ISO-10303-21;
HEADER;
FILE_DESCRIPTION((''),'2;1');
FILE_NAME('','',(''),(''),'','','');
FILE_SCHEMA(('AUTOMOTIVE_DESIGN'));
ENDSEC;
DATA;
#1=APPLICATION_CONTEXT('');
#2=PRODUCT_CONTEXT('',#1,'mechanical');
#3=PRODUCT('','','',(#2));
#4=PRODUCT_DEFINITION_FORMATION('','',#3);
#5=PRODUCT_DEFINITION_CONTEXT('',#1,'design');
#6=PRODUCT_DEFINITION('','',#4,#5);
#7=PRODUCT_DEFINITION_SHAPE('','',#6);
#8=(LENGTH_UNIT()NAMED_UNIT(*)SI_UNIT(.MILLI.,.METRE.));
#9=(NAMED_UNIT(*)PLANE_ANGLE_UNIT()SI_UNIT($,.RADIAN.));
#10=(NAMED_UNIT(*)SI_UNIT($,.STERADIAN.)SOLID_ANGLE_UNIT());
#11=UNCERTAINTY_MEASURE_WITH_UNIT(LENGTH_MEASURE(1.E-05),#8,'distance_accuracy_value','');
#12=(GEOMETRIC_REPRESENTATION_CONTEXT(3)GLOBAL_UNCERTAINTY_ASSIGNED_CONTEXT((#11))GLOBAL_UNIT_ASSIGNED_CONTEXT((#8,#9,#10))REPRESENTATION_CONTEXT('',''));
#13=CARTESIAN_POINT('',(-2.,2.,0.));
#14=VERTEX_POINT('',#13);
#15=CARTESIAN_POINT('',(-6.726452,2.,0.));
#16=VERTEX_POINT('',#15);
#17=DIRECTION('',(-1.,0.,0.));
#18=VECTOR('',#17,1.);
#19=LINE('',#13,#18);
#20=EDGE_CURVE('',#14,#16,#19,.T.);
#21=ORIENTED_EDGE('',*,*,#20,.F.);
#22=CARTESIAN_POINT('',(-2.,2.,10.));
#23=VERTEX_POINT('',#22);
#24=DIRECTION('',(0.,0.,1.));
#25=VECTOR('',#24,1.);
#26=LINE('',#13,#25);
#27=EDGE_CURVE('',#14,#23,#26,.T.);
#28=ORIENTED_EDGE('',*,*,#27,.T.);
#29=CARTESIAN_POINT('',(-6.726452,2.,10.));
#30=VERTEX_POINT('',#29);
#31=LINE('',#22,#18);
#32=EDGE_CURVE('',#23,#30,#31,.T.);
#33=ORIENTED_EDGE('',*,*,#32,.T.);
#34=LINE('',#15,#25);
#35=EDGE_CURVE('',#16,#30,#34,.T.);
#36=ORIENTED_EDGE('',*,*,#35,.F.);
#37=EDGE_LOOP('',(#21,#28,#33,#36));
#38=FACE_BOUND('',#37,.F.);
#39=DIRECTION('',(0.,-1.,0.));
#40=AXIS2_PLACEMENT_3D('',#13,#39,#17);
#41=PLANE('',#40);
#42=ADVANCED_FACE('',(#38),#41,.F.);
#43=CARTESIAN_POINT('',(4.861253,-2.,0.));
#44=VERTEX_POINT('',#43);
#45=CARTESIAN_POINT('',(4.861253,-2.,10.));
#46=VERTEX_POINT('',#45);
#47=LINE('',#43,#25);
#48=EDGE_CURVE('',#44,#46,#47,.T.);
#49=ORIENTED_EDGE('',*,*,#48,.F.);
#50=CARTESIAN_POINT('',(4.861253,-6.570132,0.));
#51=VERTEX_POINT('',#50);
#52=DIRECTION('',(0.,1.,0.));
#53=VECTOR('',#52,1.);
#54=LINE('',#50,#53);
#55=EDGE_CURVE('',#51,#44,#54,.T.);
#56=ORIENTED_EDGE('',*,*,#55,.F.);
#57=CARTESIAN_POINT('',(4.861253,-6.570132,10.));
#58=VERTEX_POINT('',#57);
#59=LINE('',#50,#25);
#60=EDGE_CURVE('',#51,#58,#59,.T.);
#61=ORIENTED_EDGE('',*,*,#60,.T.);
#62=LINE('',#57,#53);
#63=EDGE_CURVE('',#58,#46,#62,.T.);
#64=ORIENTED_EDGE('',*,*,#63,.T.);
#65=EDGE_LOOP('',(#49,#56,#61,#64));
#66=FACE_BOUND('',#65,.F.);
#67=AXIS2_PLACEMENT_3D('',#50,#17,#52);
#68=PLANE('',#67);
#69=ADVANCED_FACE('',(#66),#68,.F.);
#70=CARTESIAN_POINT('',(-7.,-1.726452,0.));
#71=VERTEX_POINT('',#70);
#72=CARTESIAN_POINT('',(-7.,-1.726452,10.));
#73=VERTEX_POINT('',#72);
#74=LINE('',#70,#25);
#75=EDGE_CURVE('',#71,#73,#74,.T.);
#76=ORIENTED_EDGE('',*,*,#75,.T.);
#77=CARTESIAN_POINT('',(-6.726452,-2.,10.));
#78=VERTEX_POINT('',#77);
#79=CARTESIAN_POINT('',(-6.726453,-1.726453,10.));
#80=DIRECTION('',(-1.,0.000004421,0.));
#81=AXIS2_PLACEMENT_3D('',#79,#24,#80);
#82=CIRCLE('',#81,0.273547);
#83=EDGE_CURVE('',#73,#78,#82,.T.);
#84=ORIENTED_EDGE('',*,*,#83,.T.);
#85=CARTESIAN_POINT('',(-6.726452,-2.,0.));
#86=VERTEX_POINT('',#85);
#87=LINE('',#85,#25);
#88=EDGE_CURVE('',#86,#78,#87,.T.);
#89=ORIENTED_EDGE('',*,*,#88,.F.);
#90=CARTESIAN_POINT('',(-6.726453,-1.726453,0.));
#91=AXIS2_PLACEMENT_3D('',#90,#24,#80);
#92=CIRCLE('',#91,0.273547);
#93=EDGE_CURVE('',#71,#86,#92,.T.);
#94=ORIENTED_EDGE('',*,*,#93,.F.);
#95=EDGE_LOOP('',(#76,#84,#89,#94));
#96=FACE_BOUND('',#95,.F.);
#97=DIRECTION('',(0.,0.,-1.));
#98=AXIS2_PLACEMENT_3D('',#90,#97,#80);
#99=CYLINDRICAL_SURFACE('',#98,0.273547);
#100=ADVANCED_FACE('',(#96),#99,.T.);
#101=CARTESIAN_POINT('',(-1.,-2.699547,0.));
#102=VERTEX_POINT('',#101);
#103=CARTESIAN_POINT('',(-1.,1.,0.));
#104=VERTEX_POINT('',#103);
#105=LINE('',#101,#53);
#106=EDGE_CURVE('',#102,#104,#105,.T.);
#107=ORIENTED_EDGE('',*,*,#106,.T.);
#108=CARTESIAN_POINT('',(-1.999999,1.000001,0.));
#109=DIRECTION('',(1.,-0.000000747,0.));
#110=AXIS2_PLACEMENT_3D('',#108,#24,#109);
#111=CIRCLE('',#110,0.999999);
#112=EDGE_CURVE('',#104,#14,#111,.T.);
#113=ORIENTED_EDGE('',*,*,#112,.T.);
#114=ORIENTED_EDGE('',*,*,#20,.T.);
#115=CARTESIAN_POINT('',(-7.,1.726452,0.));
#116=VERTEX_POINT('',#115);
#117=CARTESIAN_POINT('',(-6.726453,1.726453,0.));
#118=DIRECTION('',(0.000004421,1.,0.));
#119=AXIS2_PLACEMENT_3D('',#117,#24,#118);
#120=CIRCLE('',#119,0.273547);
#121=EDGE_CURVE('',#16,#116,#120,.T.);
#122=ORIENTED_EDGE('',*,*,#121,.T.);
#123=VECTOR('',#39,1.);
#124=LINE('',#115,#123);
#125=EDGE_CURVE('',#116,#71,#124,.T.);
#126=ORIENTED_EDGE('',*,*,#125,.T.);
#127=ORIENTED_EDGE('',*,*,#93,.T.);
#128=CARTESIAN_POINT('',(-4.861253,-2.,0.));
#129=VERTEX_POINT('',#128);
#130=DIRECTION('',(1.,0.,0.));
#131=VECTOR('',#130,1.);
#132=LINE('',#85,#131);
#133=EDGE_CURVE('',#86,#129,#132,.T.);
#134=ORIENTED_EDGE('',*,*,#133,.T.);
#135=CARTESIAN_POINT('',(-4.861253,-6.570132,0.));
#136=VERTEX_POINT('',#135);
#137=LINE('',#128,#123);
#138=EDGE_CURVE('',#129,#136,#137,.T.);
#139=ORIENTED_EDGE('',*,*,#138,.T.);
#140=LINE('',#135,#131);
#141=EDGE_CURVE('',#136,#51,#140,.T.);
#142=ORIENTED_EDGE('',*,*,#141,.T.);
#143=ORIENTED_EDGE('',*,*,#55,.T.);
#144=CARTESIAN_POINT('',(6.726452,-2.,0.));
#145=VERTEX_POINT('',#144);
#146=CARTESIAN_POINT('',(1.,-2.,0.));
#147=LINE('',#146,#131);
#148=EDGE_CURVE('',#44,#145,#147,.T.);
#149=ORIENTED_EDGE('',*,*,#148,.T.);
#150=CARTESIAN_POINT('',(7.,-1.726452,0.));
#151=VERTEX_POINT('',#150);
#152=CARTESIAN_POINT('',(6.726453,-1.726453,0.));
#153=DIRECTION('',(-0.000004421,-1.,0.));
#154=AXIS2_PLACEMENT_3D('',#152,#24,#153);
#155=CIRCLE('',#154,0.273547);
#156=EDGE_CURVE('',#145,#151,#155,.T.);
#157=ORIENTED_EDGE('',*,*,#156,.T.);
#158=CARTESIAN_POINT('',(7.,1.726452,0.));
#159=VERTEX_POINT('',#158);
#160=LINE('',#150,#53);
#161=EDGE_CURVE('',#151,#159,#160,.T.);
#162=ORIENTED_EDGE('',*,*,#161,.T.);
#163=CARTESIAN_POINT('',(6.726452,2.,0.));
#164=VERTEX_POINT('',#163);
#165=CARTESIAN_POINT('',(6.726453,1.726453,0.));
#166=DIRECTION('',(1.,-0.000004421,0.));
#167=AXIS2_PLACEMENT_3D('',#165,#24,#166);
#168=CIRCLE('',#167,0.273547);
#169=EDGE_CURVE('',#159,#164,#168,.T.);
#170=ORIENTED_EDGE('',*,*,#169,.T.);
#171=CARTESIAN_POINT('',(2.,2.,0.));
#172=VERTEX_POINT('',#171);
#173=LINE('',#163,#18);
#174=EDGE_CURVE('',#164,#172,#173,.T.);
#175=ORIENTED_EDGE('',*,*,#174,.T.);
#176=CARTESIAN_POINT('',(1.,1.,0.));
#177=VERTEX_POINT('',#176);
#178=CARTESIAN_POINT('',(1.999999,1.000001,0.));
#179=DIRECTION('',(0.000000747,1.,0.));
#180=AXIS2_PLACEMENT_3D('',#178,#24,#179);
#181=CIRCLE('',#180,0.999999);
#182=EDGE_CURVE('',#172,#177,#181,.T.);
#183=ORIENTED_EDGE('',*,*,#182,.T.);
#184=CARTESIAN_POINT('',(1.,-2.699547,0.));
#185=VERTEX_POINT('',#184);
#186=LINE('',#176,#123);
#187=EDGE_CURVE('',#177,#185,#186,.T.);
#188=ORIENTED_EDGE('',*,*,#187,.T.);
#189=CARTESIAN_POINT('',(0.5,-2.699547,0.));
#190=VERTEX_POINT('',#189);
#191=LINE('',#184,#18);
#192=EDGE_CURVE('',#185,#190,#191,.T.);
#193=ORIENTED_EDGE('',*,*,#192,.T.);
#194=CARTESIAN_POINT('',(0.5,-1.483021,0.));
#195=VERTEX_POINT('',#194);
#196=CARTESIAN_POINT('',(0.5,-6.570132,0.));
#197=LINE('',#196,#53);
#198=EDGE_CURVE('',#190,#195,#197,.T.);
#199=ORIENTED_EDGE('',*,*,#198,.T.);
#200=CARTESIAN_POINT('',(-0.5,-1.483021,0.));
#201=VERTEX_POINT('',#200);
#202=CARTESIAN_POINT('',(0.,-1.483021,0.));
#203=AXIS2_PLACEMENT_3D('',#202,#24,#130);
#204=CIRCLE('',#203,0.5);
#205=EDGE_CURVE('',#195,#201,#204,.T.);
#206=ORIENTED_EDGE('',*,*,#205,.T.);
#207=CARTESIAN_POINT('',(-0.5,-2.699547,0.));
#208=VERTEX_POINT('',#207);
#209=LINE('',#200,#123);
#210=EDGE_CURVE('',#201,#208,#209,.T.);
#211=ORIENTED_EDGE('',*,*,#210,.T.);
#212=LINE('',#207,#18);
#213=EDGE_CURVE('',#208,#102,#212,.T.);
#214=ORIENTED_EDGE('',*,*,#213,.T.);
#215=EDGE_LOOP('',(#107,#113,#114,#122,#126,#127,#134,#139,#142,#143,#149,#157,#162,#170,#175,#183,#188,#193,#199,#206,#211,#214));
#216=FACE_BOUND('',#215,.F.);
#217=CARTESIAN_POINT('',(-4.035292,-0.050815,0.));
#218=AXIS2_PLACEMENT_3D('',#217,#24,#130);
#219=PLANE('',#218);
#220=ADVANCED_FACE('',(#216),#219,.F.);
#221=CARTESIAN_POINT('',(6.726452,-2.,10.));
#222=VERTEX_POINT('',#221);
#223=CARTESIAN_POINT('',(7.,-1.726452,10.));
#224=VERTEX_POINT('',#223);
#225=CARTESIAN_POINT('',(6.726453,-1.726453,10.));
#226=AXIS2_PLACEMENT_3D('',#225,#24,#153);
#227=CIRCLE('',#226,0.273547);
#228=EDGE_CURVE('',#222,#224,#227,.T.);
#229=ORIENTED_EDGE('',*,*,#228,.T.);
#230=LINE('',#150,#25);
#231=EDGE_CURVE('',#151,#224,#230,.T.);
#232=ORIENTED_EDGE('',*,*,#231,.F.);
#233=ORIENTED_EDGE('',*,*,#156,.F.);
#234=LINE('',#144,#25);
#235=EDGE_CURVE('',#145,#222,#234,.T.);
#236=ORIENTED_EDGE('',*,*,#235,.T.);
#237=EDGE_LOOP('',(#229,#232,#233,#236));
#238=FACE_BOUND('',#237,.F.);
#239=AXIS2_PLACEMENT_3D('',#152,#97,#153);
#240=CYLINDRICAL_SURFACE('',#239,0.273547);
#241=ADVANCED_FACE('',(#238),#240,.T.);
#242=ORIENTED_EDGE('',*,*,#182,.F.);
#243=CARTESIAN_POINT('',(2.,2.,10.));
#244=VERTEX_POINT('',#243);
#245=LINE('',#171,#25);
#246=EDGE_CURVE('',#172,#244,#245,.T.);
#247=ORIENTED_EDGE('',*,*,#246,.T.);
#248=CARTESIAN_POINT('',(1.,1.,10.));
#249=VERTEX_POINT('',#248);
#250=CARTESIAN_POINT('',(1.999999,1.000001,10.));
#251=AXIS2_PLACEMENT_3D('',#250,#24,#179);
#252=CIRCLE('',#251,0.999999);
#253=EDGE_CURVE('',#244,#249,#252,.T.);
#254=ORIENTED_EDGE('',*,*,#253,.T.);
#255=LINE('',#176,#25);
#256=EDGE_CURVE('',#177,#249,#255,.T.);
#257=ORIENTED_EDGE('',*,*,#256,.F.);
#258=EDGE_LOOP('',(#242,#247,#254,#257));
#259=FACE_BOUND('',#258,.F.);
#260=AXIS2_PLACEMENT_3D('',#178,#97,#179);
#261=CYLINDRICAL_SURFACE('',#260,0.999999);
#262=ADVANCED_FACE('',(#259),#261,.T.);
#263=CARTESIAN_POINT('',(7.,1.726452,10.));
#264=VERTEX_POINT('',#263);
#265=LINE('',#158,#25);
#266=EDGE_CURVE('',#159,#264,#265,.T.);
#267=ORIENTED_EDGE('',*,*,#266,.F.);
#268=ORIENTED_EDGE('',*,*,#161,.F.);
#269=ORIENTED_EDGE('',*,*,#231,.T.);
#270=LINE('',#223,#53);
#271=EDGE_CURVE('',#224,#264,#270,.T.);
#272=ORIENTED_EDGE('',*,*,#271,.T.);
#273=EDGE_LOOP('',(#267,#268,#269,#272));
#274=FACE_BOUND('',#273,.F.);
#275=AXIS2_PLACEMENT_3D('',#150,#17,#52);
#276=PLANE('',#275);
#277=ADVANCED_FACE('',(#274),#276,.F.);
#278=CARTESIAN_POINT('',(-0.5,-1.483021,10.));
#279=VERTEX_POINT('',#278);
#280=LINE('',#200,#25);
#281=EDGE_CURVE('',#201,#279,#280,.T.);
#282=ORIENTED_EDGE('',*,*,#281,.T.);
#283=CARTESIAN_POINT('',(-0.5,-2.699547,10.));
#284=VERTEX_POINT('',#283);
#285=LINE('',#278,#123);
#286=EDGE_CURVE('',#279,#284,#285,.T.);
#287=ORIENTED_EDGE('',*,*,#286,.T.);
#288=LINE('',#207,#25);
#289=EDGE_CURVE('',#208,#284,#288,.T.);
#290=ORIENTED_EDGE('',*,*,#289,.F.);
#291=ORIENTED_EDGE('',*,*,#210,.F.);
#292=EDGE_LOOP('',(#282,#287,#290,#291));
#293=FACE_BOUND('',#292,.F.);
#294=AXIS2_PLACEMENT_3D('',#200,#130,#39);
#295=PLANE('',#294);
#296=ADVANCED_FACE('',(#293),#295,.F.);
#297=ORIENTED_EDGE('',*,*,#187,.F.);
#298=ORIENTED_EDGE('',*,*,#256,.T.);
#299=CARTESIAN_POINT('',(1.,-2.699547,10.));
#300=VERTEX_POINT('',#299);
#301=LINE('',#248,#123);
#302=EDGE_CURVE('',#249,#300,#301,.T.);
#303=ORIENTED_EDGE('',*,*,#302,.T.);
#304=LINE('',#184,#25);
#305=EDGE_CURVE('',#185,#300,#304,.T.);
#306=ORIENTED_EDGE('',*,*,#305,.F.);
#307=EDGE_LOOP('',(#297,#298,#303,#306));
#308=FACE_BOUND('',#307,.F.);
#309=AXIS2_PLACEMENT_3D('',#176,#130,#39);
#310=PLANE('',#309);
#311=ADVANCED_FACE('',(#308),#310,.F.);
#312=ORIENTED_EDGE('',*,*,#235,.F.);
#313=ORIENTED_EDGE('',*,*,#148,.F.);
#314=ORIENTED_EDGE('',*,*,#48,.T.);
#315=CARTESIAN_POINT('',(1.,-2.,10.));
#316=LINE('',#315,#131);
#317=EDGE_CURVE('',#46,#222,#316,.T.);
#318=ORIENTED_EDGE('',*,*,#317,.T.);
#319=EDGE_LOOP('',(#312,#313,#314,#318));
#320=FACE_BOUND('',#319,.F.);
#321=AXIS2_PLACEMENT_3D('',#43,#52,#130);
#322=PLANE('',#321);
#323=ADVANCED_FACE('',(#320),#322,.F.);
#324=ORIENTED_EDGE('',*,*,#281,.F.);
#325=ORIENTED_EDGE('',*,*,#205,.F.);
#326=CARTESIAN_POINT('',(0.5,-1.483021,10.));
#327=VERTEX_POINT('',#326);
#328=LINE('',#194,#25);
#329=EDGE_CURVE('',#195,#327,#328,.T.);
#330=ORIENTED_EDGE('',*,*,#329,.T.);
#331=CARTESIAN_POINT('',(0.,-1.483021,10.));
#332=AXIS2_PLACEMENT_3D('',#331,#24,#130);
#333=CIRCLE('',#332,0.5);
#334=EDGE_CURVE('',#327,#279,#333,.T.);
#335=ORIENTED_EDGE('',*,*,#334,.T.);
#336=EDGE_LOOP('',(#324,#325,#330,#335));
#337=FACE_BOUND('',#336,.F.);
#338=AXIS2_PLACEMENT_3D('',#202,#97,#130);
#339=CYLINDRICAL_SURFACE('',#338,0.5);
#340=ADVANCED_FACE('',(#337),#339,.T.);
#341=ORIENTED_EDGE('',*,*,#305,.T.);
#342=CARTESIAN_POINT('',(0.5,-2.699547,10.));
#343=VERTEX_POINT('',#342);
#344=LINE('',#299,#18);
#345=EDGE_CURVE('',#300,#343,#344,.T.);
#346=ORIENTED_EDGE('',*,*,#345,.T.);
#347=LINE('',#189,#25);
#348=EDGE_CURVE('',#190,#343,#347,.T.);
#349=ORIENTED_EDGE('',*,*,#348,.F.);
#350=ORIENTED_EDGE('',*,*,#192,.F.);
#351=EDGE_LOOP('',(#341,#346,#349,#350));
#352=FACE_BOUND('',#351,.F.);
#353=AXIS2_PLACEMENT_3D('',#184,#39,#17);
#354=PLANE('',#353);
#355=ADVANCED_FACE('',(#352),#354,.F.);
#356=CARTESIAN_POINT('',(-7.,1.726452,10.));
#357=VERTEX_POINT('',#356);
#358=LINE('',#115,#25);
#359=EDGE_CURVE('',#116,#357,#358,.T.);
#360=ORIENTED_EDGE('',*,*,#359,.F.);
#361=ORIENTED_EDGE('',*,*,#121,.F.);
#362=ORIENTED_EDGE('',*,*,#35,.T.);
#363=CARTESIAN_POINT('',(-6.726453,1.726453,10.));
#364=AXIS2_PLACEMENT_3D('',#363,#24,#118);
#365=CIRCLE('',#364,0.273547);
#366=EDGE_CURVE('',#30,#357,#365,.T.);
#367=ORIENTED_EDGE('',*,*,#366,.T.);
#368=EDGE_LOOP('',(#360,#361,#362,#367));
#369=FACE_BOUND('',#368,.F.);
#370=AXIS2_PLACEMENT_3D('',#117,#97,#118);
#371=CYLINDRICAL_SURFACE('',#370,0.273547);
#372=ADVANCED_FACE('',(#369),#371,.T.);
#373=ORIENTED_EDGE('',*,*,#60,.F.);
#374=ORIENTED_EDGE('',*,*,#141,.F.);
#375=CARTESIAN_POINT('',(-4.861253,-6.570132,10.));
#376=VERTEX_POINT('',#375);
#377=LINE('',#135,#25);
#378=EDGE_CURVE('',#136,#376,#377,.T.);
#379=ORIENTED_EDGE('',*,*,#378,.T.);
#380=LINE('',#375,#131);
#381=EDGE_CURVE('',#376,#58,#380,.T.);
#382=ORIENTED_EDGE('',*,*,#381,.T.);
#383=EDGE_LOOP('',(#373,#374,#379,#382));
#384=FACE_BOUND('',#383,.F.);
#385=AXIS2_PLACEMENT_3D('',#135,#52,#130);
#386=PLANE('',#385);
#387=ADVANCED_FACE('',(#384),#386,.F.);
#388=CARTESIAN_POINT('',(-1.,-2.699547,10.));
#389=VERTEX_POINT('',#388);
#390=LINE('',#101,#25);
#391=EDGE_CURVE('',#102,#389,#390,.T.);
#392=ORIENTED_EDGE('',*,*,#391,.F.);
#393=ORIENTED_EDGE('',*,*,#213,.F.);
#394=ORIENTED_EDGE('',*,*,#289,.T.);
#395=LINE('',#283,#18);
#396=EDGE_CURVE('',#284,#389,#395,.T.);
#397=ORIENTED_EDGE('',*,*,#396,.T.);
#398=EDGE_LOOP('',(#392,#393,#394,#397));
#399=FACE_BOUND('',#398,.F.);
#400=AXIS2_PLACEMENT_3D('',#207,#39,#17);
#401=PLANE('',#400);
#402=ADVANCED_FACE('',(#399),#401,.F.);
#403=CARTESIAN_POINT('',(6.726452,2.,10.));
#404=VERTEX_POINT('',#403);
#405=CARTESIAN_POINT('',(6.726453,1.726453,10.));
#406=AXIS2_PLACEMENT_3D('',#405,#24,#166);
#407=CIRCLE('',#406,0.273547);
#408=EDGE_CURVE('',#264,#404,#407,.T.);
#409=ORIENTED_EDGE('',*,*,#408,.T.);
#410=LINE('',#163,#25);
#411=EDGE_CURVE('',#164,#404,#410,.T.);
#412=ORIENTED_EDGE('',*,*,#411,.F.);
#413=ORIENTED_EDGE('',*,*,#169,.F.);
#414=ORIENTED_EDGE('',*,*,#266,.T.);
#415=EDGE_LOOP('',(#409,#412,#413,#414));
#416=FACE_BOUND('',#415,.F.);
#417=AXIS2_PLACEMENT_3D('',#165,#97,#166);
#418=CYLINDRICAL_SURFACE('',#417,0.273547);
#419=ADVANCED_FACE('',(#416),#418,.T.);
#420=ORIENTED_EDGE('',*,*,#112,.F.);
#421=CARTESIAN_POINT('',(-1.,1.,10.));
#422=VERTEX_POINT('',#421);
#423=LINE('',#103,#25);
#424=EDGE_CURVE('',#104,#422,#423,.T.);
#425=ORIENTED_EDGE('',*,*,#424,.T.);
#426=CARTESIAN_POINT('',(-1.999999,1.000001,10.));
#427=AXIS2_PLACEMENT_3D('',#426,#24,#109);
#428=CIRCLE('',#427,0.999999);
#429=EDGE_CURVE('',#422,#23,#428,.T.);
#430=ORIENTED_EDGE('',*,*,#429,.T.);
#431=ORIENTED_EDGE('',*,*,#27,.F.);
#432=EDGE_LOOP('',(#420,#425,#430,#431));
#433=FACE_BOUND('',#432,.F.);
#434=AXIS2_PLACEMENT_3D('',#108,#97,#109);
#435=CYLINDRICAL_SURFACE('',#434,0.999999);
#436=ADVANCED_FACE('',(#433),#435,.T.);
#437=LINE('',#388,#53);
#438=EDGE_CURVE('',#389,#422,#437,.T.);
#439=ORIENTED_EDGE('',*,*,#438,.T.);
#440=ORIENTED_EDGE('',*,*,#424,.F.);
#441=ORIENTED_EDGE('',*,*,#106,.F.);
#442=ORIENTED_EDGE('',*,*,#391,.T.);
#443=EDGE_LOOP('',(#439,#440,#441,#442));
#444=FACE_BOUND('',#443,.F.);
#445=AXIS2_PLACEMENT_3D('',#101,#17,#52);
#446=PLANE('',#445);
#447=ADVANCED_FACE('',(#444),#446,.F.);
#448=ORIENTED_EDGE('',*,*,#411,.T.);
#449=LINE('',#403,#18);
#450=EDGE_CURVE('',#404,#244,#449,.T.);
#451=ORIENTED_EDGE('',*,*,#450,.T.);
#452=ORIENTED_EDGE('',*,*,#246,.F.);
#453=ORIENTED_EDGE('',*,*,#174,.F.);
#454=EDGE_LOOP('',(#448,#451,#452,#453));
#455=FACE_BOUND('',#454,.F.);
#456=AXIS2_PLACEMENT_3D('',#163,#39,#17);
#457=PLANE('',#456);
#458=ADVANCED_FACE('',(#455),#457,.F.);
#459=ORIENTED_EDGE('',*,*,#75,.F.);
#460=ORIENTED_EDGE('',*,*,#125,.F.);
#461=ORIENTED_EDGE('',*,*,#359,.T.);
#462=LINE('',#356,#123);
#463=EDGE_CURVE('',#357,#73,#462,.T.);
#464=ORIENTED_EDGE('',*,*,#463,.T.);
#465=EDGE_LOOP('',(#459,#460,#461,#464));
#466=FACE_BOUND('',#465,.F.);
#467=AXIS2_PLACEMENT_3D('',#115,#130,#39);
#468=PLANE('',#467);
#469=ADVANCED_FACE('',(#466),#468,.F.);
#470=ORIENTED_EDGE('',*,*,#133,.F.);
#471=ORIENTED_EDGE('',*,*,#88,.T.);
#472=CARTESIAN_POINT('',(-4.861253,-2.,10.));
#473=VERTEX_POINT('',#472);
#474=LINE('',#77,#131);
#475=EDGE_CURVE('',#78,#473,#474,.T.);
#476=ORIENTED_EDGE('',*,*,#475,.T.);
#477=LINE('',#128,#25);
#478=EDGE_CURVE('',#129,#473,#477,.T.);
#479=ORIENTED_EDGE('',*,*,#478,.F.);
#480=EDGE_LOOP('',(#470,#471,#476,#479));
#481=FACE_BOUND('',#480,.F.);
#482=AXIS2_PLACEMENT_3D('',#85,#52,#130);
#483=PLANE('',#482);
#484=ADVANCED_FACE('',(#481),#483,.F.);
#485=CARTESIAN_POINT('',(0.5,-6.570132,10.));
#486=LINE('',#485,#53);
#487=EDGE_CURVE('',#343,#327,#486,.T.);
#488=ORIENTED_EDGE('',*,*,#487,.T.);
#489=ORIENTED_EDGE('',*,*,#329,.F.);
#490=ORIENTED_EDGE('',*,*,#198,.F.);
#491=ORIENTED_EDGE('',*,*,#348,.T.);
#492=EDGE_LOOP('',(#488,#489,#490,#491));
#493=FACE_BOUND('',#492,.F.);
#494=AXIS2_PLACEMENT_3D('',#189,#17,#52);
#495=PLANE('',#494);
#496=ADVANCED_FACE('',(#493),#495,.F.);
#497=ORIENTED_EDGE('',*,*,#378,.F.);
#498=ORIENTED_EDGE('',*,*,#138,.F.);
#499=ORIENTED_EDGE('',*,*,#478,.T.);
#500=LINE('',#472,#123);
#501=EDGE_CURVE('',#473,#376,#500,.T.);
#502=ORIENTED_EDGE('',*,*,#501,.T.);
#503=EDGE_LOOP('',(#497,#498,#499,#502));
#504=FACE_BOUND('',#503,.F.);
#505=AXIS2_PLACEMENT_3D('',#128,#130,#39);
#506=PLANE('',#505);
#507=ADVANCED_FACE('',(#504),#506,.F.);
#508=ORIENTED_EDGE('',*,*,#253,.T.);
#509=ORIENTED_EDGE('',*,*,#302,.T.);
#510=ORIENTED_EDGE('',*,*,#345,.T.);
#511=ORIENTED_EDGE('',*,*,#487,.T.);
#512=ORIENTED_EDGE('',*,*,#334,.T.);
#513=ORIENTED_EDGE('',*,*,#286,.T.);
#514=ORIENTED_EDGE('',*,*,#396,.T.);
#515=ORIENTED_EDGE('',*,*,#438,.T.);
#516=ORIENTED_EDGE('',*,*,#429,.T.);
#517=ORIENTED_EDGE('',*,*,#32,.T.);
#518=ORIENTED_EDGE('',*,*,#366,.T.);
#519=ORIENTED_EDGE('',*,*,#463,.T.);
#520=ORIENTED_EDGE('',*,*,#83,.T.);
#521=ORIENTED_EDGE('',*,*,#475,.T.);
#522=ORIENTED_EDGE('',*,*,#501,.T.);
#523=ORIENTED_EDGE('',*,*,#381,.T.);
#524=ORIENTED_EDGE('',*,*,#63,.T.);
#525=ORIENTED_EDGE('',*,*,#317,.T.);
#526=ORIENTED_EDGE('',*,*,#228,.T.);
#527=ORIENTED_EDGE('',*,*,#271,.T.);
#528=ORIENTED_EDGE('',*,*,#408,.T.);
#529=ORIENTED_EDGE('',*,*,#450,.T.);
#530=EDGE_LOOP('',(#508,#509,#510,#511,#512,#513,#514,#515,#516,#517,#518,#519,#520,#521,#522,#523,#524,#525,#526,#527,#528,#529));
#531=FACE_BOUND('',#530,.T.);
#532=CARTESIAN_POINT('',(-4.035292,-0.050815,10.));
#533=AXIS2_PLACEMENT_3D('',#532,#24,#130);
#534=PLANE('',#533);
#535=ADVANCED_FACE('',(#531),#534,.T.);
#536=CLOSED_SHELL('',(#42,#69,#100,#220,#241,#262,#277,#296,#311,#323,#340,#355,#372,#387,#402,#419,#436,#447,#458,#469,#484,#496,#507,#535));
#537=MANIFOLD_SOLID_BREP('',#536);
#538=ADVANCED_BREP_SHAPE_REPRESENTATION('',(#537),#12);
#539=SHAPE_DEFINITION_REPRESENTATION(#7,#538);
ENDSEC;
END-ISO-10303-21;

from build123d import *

# Parameters (mm, degrees)
F1_DEPTH = 10


with BuildPart() as f1:
    # F0 (on Top) → F1 (new body)
    with BuildSketch(Plane.XY):
        with BuildLine():
            Line((-4.861253, -2), (-1, -2))
            Line((-1, -2), (-1, 1))
            ThreePointArc((-1, 1), (-1.292893, 1.707107), (-2, 2))
            Line((-2, 2), (-6.726452, 2))
            ThreePointArc((-6.726452, 2), (-6.91988, 1.91988), (-7, 1.726452))
            Line((-7, 1.726452), (-7, -1.726452))
            ThreePointArc((-7, -1.726452), (-6.91988, -1.91988), (-6.726452, -2))
            Line((-6.726452, -2), (-4.861253, -2))
        make_face()
        with BuildLine():
            Line((1, -2), (4.861253, -2))
            Line((4.861253, -2), (6.726452, -2))
            ThreePointArc((6.726452, -2), (6.91988, -1.91988), (7, -1.726452))
            Line((7, -1.726452), (7, 1.726452))
            ThreePointArc((7, 1.726452), (6.91988, 1.91988), (6.726452, 2))
            Line((6.726452, 2), (2, 2))
            ThreePointArc((2, 2), (1.292893, 1.707107), (1, 1))
            Line((1, 1), (1, -2))
        make_face()
        Polygon((0.5, -2.699547), (0.5, -6.570132), (4.861253, -6.570132), (4.861253, -2), (1, -2), (1, -2.699547), align=None)
        Polygon((-1, -2.699547), (-1, -2), (-4.861253, -2), (-4.861253, -6.570132), (-0.5, -6.570132), (-0.5, -2.699547), align=None)
        with BuildLine():
            Line((-0.5, -1.483021), (-0.5, -2.699547))
            Line((-0.5, -2.699547), (-0.5, -6.570132))
            Line((-0.5, -6.570132), (0, -6.570132))
            Line((0, -6.570132), (0.5, -6.570132))
            Line((0.5, -6.570132), (0.5, -2.699547))
            Line((0.5, -2.699547), (0.5, -1.483021))
            ThreePointArc((0.5, -1.483021), (0, -1.983021), (-0.5, -1.483021))
        make_face()
        with BuildLine():
            ThreePointArc((0.5, -1.483021), (0, -0.983021), (-0.5, -1.483021))
            Line((-0.5, -1.483021), (0.5, -1.483021))
        make_face()
        with BuildLine():
            Line((0.5, -1.483021), (-0.5, -1.483021))
            ThreePointArc((-0.5, -1.483021), (0, -1.983021), (0.5, -1.483021))
        make_face()
    extrude(amount=F1_DEPTH)


solid = f1.part
